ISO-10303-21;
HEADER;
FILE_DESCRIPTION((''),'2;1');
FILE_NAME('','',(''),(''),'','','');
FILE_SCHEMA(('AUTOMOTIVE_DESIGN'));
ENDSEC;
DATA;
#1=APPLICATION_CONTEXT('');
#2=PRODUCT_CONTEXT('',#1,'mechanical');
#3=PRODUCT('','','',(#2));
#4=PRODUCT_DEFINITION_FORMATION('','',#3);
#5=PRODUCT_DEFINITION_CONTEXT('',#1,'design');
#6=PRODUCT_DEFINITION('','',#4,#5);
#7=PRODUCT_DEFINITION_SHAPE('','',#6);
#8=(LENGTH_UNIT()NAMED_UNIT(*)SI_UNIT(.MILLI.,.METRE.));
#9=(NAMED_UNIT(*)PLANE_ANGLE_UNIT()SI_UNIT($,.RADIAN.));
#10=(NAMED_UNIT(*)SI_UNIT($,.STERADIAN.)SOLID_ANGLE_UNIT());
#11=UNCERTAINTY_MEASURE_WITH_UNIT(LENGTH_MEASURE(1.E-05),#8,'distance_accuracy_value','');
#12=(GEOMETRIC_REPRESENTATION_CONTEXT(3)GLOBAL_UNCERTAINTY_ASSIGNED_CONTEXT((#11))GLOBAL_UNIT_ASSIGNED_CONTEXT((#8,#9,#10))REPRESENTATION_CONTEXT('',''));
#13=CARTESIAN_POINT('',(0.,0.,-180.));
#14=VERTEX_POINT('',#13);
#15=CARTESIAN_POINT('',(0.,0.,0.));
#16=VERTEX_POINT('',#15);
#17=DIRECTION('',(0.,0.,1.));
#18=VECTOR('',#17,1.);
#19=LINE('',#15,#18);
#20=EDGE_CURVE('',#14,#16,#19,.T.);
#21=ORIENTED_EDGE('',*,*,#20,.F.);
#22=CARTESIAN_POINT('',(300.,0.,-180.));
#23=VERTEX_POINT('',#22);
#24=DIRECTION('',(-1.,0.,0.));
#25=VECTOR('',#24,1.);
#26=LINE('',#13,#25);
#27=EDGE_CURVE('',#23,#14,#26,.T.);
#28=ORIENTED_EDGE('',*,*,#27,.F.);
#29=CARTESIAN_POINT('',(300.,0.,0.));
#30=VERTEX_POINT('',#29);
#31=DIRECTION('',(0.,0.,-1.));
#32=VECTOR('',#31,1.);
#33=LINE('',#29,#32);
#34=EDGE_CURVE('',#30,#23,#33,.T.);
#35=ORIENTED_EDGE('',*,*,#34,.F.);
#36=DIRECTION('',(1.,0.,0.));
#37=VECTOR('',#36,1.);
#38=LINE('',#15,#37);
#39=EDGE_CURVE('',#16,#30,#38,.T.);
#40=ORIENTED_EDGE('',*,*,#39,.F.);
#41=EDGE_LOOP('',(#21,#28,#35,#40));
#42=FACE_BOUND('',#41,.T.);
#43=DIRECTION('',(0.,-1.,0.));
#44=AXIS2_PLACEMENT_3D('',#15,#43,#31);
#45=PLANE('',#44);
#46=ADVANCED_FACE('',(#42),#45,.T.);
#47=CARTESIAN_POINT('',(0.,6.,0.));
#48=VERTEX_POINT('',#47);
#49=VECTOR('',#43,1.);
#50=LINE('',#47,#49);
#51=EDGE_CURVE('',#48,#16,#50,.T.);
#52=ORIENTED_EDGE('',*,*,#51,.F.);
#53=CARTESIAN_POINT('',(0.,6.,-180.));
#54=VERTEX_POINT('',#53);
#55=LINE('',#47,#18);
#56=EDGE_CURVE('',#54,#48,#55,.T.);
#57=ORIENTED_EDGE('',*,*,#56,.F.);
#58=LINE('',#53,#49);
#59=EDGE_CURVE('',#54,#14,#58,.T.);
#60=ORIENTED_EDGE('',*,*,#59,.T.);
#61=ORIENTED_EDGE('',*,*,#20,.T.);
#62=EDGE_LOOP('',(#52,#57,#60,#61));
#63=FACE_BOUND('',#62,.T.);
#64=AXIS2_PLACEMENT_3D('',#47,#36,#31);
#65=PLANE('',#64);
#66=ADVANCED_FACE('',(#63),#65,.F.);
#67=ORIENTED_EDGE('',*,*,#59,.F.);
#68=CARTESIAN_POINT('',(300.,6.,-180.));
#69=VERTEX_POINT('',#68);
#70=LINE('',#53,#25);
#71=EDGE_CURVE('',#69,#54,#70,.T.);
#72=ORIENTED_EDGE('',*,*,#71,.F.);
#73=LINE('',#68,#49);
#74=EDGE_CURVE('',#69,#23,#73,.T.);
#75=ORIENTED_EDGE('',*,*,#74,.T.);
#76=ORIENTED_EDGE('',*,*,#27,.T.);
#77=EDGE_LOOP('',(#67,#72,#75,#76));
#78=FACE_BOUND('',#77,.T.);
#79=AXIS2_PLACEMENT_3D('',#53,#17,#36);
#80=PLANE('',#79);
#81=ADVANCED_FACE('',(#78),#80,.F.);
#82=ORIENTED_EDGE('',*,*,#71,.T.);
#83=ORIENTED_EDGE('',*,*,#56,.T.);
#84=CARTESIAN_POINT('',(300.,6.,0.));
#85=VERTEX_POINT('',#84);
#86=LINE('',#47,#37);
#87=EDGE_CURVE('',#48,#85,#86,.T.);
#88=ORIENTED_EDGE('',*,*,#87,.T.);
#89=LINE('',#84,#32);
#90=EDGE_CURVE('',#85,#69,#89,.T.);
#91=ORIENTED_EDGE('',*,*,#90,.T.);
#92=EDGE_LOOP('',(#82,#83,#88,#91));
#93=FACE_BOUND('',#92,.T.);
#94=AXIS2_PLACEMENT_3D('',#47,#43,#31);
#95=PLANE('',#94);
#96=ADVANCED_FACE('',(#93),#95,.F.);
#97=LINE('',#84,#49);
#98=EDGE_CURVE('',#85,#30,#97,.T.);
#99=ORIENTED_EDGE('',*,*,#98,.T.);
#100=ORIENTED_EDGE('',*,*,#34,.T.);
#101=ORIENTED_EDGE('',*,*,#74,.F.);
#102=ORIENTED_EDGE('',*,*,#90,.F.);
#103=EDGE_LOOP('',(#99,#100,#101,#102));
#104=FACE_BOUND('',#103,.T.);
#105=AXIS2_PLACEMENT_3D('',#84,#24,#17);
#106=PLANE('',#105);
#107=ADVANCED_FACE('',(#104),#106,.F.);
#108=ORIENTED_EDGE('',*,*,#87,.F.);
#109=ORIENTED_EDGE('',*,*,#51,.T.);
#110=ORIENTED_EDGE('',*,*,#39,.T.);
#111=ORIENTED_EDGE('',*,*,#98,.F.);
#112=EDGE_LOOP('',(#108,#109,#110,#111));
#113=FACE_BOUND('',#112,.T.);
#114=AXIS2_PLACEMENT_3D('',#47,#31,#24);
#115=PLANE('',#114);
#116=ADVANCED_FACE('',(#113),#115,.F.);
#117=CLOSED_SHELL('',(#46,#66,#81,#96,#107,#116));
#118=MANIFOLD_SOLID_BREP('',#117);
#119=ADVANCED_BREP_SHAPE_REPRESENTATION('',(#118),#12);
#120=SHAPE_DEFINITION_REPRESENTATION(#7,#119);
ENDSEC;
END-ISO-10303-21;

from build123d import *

# Parameters (mm, degrees)
SKETCH1_W           = 300
SKETCH1_H           = 180
BOSS_EXTRUDE1_DEPTH = 6


with BuildPart() as part:
    # Sketch1 → Boss-Extrude1 (new body)
    with BuildSketch(Plane(origin=(0, 0, 0), x_dir=(1, 0, 0), z_dir=(0, 1, 0))):
        with Locations((150, 90)):
            Rectangle(SKETCH1_W, SKETCH1_H)
    extrude(amount=BOSS_EXTRUDE1_DEPTH)


solid = part.part
